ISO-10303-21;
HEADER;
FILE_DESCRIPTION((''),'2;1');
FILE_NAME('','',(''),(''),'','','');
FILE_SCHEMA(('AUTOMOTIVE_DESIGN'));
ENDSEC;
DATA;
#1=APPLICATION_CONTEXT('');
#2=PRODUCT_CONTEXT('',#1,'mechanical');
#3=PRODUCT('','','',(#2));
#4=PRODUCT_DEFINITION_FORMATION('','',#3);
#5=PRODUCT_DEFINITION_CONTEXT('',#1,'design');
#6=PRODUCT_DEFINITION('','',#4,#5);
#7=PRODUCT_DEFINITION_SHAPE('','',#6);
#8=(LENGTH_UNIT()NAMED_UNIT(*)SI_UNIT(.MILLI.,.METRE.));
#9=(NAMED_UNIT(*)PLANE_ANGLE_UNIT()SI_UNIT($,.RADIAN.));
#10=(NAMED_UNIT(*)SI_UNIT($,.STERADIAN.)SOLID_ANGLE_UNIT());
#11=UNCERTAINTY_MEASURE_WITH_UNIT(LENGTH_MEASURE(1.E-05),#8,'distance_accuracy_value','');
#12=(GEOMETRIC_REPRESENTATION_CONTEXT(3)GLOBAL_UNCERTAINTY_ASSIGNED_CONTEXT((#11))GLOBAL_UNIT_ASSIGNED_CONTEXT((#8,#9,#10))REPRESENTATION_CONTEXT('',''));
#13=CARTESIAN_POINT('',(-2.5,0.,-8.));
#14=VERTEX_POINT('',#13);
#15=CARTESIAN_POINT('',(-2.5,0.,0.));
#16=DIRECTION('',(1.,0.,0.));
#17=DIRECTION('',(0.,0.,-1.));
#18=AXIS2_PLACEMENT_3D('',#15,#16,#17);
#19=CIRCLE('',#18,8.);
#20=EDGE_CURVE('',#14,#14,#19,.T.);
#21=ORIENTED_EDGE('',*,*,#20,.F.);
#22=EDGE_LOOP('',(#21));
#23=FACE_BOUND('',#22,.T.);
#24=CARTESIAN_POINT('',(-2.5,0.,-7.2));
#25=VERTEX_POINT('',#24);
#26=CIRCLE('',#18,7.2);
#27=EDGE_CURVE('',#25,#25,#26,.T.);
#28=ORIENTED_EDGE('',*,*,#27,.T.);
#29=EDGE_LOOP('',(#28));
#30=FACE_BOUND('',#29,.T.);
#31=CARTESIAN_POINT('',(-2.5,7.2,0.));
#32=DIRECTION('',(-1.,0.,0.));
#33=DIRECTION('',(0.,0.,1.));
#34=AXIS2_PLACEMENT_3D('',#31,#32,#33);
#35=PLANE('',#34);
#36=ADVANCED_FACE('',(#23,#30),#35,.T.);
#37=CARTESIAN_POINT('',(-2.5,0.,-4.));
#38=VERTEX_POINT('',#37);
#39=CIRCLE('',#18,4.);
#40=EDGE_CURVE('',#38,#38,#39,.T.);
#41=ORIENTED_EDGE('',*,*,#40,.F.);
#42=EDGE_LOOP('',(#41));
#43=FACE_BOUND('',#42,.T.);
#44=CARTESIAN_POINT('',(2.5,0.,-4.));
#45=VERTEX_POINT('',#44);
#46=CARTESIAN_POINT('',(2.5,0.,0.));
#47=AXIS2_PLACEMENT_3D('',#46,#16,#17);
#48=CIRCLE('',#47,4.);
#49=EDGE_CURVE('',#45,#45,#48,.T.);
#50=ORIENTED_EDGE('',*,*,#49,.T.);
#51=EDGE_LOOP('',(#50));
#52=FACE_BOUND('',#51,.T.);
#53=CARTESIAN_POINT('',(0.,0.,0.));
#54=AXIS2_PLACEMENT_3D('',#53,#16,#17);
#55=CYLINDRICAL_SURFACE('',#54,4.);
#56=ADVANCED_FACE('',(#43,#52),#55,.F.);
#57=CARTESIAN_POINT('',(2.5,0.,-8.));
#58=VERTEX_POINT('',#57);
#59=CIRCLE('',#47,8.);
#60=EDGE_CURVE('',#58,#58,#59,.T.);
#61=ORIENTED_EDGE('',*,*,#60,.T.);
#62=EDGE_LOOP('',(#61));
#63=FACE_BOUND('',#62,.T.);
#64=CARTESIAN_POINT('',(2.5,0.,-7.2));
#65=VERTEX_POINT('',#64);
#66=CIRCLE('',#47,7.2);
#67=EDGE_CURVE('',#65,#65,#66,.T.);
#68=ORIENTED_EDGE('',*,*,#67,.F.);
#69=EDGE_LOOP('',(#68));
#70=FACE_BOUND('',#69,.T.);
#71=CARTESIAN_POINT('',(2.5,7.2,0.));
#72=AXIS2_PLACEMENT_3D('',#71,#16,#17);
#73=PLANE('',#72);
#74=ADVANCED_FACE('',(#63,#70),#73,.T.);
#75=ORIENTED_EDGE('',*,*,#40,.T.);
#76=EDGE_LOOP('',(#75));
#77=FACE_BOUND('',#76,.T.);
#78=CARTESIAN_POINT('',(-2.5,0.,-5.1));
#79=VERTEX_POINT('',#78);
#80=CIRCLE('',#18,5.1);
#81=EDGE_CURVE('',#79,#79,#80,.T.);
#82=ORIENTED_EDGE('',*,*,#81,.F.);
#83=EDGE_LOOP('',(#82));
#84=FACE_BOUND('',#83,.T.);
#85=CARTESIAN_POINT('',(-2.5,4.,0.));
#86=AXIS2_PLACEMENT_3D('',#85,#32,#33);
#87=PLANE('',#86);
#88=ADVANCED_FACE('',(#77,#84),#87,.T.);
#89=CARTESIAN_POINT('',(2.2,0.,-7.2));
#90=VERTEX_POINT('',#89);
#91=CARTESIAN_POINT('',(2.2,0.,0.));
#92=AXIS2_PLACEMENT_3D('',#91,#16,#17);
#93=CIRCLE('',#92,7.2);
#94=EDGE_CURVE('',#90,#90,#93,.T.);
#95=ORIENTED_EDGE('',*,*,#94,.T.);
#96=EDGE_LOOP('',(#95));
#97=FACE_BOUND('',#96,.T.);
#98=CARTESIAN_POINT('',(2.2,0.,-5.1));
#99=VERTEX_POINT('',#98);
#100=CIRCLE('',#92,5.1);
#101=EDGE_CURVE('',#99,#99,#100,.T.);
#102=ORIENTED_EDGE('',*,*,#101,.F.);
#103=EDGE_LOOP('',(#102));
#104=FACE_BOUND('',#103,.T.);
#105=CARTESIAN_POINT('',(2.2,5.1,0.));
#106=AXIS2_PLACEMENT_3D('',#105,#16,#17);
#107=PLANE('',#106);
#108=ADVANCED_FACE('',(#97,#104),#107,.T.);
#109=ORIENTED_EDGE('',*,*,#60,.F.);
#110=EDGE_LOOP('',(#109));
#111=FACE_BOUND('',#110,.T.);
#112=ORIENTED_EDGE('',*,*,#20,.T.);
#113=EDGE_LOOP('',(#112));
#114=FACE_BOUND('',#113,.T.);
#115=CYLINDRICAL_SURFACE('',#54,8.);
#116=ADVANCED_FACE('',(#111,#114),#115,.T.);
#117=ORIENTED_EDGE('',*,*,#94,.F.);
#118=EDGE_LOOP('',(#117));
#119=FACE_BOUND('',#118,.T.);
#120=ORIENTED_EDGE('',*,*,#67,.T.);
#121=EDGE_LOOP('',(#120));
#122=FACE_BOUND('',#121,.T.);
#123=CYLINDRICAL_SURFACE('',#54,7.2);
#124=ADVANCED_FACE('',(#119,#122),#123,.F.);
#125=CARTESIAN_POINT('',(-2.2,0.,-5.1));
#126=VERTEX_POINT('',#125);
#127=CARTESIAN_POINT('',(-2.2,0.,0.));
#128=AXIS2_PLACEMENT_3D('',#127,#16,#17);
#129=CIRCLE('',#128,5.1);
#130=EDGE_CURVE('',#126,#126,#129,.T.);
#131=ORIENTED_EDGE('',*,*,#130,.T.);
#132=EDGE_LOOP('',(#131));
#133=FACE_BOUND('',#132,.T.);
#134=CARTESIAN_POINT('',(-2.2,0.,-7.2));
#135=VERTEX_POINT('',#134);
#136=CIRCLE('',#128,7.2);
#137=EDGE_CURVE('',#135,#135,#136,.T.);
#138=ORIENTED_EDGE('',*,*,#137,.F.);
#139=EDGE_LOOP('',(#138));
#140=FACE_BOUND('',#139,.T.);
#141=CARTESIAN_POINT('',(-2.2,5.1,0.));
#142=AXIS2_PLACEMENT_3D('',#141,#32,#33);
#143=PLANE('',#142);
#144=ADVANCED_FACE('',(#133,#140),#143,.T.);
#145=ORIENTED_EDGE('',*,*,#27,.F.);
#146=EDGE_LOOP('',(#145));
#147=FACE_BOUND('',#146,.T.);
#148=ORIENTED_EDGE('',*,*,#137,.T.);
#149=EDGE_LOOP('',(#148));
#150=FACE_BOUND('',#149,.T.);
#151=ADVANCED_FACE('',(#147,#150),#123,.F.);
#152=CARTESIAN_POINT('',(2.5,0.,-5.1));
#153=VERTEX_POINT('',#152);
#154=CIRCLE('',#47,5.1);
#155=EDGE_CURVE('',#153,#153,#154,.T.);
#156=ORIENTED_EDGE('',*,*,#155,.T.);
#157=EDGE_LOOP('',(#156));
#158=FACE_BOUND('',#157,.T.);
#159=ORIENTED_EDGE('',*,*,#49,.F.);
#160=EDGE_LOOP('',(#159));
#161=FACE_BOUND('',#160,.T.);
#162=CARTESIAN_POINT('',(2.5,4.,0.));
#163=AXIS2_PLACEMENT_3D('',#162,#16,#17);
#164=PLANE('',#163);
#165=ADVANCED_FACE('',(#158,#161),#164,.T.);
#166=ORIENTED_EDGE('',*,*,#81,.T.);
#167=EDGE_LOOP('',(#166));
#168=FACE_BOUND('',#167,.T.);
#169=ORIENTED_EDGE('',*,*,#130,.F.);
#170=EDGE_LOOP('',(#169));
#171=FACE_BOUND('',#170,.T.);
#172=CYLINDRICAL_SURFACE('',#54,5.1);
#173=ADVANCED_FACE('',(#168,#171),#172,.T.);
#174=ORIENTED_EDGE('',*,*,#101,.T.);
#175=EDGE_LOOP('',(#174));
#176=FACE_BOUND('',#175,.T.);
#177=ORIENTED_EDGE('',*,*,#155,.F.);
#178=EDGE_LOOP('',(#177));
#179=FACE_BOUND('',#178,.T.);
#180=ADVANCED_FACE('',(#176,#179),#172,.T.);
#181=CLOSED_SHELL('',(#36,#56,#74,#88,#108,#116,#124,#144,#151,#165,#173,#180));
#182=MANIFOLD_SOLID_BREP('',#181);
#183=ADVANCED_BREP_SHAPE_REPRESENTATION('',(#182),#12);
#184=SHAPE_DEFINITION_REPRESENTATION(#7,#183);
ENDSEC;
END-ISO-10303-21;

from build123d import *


with BuildPart() as part:
    # Sketch1 → Revolve1 (revolve)
    with BuildSketch(Plane.XY):
        Polygon((2.5, 4), (-2.5, 4), (-2.5, 5.1), (-2.2, 5.1), (-2.2, 7.2), (-2.5, 7.2), (-2.5, 8), (2.5, 8), (2.5, 7.2), (2.2, 7.2), (2.2, 5.1), (2.5, 5.1), align=None)
    revolve(axis=Axis((0, 0, 0), (-1, 0, 0)))


solid = part.part
